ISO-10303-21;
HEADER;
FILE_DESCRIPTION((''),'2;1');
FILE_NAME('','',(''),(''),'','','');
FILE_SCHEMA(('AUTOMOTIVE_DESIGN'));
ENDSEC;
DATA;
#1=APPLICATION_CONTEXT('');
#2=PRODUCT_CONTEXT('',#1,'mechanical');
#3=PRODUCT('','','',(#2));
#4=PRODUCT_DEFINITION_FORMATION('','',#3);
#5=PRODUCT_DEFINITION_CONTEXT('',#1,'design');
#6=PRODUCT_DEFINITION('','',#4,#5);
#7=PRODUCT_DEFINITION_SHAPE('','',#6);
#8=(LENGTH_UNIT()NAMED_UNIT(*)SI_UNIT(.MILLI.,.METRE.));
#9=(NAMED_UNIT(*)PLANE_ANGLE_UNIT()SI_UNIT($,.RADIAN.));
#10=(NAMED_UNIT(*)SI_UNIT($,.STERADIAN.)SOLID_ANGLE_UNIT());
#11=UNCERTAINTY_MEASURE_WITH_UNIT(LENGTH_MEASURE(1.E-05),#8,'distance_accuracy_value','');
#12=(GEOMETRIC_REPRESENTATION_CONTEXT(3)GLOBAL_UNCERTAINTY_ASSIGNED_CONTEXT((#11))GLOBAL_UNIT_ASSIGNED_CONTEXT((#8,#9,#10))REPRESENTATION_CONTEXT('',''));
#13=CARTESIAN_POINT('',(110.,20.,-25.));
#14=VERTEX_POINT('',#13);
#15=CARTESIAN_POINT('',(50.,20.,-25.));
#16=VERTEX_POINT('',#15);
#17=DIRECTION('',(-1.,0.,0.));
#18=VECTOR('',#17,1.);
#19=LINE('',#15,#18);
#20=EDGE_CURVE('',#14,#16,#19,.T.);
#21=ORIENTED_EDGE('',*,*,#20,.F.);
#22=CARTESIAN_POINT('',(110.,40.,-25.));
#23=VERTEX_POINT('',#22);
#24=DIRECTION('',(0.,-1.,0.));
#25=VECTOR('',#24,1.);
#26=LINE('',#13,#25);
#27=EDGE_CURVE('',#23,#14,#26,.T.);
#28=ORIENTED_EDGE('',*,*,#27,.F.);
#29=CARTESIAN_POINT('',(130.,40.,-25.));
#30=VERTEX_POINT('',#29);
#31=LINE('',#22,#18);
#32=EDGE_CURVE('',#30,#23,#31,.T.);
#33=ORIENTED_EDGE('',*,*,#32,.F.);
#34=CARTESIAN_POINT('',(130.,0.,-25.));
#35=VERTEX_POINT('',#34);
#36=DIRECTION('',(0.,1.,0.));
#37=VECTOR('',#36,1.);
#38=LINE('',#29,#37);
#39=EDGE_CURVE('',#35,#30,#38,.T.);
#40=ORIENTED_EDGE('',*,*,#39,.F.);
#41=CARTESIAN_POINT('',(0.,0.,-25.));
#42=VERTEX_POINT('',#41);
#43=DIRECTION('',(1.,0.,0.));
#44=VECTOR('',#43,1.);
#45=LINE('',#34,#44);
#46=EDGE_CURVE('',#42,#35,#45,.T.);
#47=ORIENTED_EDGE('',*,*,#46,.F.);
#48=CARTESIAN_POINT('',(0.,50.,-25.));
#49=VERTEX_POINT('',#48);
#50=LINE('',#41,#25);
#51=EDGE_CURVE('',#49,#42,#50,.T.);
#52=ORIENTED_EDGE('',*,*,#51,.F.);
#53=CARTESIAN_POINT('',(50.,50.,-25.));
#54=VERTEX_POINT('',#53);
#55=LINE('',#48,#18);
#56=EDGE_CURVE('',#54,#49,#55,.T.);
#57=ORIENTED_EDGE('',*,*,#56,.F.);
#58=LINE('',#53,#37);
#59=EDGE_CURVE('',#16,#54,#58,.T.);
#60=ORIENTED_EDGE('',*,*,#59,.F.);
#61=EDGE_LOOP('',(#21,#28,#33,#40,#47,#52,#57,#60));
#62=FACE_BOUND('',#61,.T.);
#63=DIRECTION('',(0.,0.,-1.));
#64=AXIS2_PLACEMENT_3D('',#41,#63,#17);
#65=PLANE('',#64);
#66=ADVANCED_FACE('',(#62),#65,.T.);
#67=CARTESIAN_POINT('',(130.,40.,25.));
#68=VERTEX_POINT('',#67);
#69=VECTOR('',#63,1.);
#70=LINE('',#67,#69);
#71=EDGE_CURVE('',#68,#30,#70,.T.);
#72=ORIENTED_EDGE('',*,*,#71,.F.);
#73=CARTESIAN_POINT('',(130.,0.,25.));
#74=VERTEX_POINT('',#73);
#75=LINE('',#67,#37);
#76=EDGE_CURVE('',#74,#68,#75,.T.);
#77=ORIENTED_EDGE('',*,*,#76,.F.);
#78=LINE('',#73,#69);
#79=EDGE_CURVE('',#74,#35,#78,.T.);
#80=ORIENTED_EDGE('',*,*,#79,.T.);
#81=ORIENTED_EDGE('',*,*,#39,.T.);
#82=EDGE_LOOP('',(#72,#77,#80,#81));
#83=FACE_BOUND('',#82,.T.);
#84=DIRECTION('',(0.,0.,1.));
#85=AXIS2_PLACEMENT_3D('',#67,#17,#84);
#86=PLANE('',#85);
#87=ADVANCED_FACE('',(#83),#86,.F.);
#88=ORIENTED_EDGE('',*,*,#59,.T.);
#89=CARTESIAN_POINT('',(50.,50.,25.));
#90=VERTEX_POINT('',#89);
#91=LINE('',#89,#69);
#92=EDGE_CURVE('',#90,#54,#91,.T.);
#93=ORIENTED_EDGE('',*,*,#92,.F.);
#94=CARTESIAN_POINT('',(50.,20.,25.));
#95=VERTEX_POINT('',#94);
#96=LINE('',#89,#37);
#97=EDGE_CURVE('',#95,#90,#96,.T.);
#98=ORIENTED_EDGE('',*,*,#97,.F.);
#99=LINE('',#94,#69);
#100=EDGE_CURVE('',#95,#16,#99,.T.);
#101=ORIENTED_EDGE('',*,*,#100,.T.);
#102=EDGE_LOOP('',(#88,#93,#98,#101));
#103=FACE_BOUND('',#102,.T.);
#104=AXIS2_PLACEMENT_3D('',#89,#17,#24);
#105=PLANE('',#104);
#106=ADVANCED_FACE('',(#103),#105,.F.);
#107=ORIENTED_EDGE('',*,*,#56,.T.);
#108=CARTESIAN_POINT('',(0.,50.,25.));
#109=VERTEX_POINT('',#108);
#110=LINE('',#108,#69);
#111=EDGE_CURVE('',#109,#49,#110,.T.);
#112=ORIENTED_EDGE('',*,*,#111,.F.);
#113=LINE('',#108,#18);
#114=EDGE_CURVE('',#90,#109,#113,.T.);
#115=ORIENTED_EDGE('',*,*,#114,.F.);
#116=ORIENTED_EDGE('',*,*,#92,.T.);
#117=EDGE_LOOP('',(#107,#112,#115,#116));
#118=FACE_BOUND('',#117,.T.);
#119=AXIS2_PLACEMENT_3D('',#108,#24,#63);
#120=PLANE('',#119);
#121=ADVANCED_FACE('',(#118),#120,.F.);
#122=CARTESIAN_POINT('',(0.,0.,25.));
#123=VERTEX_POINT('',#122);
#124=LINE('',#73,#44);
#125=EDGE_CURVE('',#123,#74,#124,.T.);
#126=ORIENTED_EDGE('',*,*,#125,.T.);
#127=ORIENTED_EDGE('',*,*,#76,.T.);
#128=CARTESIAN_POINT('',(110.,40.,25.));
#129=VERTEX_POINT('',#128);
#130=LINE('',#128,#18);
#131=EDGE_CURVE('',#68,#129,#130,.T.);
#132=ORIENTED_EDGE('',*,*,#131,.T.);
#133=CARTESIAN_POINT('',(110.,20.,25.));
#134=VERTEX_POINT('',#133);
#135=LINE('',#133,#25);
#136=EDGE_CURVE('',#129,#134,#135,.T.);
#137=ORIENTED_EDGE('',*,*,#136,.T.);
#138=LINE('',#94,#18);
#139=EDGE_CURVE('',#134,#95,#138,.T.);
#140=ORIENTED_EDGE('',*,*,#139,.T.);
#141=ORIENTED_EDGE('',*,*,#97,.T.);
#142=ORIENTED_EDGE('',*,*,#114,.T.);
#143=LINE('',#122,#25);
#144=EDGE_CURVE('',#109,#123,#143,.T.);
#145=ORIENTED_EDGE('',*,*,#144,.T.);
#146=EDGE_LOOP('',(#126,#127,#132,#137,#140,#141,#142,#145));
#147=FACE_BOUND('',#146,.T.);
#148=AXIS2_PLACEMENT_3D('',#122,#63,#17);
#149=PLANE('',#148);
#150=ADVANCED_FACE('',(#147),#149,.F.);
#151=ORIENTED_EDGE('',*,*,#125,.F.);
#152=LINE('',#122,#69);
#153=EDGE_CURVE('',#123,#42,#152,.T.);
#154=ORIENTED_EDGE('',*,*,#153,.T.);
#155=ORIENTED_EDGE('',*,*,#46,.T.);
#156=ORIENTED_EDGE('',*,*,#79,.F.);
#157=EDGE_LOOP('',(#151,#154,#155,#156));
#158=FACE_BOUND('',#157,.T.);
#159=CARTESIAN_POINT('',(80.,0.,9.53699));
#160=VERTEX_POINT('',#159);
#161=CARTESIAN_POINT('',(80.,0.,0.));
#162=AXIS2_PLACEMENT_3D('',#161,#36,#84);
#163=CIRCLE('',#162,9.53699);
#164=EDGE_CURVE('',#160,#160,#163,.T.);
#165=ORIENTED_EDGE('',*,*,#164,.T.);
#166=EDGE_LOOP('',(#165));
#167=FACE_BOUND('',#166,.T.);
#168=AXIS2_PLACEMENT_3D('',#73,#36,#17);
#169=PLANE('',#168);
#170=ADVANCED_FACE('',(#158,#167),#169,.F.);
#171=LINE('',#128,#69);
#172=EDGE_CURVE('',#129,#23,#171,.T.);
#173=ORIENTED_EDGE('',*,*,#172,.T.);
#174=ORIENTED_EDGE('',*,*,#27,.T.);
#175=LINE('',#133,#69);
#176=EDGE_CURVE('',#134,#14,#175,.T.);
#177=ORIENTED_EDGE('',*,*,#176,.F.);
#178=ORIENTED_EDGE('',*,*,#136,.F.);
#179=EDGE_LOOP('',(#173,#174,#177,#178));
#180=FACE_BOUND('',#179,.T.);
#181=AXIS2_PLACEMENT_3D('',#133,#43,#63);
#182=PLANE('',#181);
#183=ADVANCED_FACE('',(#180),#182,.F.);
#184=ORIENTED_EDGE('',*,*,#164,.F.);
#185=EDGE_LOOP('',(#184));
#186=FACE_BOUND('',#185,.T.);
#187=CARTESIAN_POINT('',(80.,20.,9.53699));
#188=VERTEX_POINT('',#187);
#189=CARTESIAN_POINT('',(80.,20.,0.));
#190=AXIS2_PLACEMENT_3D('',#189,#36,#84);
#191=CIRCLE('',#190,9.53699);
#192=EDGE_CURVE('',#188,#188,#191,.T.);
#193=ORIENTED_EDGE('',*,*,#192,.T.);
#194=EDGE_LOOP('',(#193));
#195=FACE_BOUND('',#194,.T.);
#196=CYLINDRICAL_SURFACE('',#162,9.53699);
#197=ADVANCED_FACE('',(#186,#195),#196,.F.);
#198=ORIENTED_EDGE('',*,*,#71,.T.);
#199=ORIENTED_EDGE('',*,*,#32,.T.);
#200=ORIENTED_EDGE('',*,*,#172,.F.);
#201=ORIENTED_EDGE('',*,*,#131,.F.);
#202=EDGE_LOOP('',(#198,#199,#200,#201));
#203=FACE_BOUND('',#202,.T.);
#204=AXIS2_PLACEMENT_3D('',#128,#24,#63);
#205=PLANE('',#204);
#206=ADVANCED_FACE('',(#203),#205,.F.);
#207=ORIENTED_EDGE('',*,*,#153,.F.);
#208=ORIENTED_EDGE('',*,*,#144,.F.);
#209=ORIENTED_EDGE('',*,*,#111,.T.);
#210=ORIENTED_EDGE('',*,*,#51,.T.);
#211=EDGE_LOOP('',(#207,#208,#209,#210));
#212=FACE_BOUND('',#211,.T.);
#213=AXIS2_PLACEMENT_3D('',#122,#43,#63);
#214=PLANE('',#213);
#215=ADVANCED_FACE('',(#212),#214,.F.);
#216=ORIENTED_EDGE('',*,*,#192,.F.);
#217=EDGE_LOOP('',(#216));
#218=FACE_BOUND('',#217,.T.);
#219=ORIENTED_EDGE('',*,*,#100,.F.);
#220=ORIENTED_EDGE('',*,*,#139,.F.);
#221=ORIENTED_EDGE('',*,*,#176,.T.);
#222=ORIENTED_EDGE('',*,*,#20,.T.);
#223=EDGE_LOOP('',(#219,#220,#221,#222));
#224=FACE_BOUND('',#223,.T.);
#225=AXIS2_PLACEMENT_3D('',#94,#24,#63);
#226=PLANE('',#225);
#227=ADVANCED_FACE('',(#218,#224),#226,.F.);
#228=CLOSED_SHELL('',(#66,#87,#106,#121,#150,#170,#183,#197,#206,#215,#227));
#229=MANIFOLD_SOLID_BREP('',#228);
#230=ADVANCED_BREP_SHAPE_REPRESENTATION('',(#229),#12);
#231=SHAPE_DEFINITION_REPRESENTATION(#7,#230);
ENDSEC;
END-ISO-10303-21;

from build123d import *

# Parameters (mm, degrees)
BOSS_EXTRUDE1_DEPTH = 25
SKETCH5_R           = 9.536990003
CUT_EXTRUDE1_DEPTH  = 136.738719605


with BuildPart() as part:
    # Sketch1 → Boss-Extrude1 (new, symmetric)
    with BuildSketch(Plane.XY):
        Polygon((0, 0), (0, 50), (50, 50), (50, 20), (110, 20), (110, 40), (130, 40), (130, 0), align=None)
    extrude(amount=BOSS_EXTRUDE1_DEPTH, both=True)

    # Sketch5 → Cut-Extrude1 (cut, through all)
    with BuildSketch(Plane(origin=(0, 20, 0), x_dir=(1, 0, 0), z_dir=(0, 1, 0))):
        with Locations(Location((80, 0, 0), (0, 0, 270))):
            Circle(SKETCH5_R)
    extrude(amount=-CUT_EXTRUDE1_DEPTH, mode=Mode.SUBTRACT)


solid = part.part
